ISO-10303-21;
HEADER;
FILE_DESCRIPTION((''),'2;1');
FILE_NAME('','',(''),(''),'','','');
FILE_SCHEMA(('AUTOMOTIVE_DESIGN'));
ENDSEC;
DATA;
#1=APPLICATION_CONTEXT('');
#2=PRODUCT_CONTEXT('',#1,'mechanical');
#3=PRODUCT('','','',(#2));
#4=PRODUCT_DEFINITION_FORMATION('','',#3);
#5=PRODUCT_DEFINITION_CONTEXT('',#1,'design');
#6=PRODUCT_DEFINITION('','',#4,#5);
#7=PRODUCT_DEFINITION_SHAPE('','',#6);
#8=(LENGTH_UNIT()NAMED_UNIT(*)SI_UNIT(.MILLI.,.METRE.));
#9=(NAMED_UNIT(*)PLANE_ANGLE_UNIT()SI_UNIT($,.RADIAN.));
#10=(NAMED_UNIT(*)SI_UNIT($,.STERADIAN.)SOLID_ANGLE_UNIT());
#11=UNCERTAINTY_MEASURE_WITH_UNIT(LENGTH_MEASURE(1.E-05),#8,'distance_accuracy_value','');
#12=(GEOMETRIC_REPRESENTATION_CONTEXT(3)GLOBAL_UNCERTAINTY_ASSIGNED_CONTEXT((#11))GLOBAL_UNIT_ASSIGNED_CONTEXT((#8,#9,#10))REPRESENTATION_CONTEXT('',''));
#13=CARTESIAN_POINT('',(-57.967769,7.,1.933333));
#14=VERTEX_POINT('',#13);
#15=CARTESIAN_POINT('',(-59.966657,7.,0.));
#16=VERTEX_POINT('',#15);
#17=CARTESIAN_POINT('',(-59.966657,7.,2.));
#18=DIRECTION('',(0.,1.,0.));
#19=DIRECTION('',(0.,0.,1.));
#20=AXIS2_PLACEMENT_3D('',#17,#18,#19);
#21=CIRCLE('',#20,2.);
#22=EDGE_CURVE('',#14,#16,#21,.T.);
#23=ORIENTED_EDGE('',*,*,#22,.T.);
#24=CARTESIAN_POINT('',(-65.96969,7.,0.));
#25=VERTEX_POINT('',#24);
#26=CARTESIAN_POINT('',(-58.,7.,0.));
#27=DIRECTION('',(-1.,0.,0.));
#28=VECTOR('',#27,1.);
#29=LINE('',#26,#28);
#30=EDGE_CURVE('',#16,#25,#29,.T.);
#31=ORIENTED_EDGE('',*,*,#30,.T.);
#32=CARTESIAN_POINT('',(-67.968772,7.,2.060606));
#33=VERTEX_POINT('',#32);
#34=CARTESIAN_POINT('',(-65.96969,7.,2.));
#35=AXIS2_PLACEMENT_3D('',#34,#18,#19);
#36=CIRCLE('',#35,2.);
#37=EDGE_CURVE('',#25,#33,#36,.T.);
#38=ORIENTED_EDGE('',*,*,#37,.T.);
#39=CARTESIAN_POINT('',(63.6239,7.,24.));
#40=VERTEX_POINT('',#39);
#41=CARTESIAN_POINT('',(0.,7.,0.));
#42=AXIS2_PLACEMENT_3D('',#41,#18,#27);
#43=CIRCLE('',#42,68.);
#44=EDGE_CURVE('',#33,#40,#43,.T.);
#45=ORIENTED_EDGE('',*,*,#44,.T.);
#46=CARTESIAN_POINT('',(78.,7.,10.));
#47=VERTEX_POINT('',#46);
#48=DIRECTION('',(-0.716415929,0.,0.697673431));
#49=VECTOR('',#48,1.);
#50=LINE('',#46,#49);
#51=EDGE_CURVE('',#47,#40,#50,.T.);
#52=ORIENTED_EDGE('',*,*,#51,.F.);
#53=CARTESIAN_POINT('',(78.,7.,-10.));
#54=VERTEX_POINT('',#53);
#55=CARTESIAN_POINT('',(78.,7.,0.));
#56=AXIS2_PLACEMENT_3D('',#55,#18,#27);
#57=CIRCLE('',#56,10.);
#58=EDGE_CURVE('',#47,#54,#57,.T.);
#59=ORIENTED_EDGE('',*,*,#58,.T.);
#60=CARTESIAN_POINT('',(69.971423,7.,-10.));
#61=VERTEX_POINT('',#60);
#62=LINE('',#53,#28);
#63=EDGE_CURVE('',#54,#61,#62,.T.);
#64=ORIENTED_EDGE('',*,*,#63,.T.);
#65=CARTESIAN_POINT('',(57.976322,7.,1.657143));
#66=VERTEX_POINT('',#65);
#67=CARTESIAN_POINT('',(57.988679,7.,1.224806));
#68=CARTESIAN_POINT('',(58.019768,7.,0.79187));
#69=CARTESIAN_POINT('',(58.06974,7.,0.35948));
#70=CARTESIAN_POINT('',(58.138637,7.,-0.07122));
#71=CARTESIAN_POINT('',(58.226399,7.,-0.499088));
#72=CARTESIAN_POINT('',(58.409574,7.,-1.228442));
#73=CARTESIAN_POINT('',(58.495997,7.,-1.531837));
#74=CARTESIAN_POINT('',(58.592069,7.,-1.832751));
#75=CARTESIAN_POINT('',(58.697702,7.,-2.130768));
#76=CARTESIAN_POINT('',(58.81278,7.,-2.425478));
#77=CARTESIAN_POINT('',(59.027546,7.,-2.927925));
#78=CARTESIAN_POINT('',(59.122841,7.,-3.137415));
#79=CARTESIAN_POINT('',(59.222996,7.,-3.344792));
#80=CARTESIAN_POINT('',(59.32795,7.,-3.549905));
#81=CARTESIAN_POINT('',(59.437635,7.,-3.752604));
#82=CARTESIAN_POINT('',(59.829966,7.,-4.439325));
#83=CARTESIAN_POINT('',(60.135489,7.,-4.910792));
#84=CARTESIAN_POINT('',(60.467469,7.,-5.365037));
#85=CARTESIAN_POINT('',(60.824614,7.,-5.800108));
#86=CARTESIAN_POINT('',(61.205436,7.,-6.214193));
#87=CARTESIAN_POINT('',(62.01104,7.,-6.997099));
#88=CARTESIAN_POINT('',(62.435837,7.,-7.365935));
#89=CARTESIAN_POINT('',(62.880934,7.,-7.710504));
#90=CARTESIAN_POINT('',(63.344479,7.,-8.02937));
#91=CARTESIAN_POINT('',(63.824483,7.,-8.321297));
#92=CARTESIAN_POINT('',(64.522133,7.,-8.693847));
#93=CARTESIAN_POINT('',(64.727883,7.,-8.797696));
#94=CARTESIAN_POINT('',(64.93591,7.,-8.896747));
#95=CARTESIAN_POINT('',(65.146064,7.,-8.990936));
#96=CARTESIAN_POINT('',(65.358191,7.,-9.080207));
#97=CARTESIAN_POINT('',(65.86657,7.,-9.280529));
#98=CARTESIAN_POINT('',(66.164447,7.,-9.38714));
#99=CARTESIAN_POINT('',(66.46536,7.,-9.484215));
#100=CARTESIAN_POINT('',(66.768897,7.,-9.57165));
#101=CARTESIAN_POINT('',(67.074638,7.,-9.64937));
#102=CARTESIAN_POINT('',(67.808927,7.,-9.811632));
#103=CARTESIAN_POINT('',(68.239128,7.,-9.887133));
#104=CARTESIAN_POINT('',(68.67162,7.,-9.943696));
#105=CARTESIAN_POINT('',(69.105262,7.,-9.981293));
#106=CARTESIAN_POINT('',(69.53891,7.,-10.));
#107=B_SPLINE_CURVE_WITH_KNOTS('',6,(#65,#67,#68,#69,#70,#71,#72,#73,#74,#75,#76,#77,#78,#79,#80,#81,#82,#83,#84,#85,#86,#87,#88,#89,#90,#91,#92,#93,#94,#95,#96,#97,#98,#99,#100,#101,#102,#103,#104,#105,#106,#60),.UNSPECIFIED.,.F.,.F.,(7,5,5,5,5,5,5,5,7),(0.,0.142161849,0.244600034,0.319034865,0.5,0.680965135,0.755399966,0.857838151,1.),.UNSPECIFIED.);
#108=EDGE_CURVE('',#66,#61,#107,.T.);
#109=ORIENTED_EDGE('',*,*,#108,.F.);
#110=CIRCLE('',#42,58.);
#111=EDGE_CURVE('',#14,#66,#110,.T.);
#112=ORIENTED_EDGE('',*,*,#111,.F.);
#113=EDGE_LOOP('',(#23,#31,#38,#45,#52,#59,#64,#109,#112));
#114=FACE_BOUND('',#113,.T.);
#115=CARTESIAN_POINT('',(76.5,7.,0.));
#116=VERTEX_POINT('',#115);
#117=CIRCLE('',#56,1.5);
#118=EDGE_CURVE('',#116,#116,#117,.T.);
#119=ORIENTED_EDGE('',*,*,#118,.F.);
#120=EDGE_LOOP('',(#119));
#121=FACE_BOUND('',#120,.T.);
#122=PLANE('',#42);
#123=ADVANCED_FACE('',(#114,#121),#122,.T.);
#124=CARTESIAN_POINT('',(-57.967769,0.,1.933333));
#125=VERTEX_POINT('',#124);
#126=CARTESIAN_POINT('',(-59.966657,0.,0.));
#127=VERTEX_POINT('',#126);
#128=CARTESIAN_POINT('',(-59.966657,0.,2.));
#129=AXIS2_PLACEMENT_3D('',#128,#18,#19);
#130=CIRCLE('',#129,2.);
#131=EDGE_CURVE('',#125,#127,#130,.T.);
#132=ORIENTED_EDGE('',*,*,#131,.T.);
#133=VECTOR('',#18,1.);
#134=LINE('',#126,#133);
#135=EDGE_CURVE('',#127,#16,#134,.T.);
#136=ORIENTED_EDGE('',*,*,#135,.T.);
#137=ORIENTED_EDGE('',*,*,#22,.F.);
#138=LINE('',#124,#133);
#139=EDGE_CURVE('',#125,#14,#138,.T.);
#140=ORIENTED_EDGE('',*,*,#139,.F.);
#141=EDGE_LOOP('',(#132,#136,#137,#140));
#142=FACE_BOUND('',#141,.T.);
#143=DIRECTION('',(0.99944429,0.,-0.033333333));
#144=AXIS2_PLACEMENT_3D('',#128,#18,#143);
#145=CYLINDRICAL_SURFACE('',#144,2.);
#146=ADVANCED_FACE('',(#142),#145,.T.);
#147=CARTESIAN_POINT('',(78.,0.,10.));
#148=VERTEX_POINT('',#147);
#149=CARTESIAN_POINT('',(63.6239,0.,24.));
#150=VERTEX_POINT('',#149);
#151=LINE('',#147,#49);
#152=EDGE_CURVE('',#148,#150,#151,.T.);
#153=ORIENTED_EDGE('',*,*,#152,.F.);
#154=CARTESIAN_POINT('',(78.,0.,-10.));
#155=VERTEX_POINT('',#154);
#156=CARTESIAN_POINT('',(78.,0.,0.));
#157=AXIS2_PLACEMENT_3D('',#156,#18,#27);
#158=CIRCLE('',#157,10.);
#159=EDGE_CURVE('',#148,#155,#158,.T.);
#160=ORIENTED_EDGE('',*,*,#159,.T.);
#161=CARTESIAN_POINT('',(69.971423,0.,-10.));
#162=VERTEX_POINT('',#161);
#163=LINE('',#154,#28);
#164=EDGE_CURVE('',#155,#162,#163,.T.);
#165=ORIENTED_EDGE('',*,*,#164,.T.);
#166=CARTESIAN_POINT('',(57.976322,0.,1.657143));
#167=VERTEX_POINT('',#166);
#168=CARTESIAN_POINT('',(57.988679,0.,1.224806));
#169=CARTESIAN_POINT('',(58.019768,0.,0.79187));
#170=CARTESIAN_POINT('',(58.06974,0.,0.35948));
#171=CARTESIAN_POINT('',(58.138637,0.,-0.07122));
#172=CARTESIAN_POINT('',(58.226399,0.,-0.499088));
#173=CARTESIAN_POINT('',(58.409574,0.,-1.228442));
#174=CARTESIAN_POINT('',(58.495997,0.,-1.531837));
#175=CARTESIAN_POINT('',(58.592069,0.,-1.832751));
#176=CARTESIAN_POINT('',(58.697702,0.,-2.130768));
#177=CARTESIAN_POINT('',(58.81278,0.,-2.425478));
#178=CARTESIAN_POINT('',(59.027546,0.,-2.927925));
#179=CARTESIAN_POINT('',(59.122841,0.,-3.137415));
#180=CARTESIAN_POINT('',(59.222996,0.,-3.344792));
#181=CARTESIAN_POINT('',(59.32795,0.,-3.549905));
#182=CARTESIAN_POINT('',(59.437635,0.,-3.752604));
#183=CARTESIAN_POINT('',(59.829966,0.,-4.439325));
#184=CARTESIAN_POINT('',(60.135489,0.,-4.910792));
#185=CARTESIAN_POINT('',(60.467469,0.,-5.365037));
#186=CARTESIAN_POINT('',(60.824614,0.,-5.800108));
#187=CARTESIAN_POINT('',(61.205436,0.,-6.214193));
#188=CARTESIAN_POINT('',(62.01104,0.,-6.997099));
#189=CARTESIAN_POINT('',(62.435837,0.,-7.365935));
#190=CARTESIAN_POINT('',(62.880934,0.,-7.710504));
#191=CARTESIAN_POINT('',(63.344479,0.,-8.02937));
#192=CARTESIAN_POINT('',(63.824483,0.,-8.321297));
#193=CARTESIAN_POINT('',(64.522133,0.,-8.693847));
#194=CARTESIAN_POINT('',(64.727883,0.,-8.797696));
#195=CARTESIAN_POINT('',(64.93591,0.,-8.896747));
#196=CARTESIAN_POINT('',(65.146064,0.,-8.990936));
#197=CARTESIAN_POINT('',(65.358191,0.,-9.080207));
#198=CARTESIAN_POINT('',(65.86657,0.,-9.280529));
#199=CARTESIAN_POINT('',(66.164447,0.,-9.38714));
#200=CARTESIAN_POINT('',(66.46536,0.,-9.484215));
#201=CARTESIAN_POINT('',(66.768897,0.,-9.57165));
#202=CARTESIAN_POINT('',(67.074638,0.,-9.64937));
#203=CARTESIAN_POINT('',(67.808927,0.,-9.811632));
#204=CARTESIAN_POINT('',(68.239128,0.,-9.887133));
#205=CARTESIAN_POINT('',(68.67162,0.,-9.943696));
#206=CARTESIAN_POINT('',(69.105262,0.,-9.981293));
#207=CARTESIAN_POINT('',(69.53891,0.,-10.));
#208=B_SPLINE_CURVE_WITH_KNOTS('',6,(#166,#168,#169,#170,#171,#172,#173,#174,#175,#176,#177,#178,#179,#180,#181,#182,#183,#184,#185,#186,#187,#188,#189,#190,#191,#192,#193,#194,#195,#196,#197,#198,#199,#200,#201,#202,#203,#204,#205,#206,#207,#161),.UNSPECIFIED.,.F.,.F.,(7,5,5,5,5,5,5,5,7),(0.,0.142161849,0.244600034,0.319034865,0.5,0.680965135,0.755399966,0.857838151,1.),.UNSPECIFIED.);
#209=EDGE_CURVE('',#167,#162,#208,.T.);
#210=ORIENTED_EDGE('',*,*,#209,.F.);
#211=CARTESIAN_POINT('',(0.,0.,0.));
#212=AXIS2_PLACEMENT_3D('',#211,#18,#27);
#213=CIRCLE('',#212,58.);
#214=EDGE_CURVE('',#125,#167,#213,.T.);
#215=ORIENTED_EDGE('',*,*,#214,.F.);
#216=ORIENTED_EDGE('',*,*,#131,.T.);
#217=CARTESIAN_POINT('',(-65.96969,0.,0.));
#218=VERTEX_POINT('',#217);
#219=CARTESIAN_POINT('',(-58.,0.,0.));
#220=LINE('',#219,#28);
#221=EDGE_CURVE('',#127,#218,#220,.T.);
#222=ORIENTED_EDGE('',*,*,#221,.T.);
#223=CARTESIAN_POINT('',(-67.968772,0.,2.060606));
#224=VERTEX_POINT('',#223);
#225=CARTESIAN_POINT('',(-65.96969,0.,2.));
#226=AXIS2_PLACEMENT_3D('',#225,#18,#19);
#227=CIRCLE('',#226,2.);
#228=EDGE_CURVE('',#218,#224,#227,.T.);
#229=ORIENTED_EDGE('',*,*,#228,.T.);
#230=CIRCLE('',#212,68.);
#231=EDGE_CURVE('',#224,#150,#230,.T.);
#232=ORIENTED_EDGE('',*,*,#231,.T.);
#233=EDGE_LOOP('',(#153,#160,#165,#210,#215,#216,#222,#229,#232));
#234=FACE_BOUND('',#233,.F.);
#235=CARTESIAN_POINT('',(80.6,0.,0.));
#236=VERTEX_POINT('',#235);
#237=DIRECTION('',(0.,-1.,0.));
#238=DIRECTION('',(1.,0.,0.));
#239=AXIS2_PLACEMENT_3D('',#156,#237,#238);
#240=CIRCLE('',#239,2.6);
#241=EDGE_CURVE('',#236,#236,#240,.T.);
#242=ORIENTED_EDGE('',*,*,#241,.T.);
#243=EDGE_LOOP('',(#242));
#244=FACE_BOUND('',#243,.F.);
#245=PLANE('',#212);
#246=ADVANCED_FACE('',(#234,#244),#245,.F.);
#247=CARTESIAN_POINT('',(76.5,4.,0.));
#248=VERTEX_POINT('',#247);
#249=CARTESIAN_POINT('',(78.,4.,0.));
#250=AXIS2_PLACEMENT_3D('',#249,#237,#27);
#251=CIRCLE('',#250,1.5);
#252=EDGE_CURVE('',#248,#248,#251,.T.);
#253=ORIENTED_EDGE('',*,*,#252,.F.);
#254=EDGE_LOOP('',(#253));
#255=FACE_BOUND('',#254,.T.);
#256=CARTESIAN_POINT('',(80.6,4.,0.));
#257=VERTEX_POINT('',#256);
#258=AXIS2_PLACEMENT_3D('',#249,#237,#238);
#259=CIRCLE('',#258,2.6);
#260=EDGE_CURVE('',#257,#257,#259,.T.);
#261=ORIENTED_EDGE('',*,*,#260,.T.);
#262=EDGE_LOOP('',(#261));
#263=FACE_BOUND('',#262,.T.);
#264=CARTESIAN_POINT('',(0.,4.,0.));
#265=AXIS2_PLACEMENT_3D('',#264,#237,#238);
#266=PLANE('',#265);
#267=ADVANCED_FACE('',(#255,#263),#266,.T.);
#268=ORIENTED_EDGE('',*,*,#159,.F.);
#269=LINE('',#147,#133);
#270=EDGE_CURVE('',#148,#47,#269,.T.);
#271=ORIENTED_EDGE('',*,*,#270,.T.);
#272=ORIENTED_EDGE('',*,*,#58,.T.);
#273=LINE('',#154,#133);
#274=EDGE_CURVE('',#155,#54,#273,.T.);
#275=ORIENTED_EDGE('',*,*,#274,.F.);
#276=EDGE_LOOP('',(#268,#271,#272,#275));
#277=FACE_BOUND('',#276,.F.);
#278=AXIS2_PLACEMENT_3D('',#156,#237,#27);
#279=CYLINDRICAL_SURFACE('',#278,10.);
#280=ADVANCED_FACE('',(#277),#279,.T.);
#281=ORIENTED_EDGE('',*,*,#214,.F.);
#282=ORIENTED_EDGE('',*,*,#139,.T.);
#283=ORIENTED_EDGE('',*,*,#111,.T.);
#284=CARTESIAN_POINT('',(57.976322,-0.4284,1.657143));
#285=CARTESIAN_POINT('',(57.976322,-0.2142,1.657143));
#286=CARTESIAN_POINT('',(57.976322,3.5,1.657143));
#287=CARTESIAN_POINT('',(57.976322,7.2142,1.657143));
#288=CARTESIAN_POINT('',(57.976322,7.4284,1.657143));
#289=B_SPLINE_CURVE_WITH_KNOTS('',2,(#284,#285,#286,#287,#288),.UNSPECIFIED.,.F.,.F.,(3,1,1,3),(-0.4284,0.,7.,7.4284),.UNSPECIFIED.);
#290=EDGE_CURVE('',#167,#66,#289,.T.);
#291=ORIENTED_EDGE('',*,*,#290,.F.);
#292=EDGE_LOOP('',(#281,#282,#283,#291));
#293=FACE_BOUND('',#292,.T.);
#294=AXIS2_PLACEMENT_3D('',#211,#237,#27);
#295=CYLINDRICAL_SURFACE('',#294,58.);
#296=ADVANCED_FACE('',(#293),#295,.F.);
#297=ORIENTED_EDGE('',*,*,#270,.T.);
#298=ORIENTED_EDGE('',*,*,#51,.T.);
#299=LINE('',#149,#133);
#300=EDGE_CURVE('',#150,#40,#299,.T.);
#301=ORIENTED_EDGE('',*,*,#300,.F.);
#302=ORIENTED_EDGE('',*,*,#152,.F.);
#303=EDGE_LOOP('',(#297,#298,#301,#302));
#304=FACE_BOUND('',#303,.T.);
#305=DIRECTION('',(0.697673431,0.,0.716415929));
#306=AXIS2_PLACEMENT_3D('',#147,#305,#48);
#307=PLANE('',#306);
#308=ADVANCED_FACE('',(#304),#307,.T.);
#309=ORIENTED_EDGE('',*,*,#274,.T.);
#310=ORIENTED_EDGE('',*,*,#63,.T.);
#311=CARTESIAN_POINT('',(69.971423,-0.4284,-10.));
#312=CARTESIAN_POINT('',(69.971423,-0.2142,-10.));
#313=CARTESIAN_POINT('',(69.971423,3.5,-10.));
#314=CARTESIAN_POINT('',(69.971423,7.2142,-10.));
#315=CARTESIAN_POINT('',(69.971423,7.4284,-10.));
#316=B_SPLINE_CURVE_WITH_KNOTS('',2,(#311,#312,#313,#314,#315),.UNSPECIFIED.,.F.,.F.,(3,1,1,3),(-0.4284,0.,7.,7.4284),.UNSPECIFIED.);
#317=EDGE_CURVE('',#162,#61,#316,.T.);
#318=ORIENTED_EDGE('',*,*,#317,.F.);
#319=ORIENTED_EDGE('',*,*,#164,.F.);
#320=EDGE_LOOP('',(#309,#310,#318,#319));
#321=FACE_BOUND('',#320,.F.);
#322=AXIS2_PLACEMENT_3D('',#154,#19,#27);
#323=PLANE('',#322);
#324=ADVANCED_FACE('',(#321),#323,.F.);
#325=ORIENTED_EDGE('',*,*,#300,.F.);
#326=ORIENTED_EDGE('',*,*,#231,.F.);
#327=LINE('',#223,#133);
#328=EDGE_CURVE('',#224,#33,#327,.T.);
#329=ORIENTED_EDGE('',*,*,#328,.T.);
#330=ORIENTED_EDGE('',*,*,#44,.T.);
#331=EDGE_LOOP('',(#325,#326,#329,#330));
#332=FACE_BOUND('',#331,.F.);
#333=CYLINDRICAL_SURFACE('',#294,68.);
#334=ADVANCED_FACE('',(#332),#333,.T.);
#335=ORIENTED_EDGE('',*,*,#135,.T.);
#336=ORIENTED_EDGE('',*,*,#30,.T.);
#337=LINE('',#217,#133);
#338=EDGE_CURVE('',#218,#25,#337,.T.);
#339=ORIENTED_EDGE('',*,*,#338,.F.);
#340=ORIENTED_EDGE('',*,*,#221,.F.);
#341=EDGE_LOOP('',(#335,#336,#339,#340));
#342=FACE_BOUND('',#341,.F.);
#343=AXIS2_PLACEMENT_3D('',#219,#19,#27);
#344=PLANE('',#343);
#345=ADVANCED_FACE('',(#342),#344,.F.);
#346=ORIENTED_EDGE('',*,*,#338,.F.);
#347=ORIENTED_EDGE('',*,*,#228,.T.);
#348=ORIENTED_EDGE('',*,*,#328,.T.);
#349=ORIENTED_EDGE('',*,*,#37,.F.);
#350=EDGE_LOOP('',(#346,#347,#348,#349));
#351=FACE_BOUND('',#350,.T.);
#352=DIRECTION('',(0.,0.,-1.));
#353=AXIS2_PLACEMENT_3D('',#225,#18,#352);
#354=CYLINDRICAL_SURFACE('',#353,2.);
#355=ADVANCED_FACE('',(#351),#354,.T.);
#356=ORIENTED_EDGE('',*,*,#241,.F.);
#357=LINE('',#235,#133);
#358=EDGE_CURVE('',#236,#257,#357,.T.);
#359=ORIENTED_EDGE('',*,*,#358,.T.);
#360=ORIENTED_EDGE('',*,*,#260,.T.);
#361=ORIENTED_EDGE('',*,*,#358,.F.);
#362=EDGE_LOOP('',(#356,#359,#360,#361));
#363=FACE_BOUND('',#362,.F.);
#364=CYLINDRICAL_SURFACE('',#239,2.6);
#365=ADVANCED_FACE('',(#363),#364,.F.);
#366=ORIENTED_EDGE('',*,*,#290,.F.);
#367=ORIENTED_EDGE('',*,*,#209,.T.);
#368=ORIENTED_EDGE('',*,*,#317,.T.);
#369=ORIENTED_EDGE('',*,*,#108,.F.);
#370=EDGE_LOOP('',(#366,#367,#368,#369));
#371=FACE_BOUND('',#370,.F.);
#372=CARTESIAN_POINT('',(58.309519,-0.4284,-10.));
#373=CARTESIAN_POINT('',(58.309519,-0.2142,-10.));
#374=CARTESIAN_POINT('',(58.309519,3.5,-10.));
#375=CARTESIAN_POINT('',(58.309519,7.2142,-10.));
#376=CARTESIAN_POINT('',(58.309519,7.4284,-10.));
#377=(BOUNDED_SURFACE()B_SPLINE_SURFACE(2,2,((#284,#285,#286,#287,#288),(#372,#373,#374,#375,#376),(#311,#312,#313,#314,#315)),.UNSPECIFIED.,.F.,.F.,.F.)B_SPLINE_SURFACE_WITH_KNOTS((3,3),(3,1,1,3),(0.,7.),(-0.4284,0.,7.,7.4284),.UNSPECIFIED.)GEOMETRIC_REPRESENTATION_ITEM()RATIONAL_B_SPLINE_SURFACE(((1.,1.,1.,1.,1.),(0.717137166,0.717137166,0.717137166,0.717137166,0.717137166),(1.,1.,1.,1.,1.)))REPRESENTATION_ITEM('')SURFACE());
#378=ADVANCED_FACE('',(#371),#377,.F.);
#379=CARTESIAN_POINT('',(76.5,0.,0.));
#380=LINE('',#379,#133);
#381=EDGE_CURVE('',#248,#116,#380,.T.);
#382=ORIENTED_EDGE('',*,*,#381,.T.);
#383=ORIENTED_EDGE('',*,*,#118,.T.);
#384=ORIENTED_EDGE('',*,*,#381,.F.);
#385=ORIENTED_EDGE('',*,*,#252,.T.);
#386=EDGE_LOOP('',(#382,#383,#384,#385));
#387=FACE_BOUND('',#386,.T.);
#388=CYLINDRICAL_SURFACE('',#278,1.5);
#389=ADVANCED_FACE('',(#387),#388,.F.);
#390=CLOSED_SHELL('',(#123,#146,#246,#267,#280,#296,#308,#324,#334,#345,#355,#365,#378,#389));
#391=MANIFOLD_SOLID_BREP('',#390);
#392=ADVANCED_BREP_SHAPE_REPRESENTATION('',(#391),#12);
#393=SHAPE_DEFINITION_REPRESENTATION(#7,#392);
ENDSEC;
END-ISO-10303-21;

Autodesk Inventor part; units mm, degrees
ref_plane "YZ Plane" through (0, 0, 0) normal (1, 0, 0) x (0, 1, 0)
ref_plane "XZ Plane" through (0, 0, 0) normal (0, 1, 0) x (-1, 0, 0)
ref_plane "XY Plane" through (0, 0, 0) normal (0, 0, 1) x (1, 0, 0)
sketch "Esquisse1" plane through (0, 0, 0) normal (0, 1, 0) x (-1, 0, 0)
  arc A0 (58, 0) -> (-58, 0) centre (0, 0) ccw
  arc A1 (68, 0) -> (-68, 0) centre (0, 0) ccw
  line L0 (58, 0) -> (68, 0)
  circle A2 centre (-78, 0) radius 10
  circle A3 centre (-78, 0) radius 1.5
  line L1 (-78, 10) -> (-58.201, 10) construction
  line L2 (-78, 10) -> (-63.6239, 24)
  line L3 (-78, -10) -> (-58, -10)
  line L4 (-58, 0) -> (-58, -10)
  dimension "d9" = 58
  dimension "d10" = 68
  dimension "d11" = 20
  dimension "d12" = 20
  dimension "d13" = 3
extrude "Extrusion1" add sketch "Esquisse1" along normal blind 7
sketch "Esquisse2" plane through (0, 0, 0) normal (0, -1, 0) x (1, 0, 0)
  circle A0 centre (78, 0) radius 2.6
  point P0 (0, 0)
  dimension "d16" = 5.2
extrude "Extrusion2" cut sketch "Esquisse2" against normal blind 4
fillet "Congé1" radius 12 1 edges at (58, 3.5, -10)
fillet "Congé2" radius 2 2 edges at (-68, 3.5, 0) (-58, 3.5, 0)
properties part number "bras_pince_gauche"
